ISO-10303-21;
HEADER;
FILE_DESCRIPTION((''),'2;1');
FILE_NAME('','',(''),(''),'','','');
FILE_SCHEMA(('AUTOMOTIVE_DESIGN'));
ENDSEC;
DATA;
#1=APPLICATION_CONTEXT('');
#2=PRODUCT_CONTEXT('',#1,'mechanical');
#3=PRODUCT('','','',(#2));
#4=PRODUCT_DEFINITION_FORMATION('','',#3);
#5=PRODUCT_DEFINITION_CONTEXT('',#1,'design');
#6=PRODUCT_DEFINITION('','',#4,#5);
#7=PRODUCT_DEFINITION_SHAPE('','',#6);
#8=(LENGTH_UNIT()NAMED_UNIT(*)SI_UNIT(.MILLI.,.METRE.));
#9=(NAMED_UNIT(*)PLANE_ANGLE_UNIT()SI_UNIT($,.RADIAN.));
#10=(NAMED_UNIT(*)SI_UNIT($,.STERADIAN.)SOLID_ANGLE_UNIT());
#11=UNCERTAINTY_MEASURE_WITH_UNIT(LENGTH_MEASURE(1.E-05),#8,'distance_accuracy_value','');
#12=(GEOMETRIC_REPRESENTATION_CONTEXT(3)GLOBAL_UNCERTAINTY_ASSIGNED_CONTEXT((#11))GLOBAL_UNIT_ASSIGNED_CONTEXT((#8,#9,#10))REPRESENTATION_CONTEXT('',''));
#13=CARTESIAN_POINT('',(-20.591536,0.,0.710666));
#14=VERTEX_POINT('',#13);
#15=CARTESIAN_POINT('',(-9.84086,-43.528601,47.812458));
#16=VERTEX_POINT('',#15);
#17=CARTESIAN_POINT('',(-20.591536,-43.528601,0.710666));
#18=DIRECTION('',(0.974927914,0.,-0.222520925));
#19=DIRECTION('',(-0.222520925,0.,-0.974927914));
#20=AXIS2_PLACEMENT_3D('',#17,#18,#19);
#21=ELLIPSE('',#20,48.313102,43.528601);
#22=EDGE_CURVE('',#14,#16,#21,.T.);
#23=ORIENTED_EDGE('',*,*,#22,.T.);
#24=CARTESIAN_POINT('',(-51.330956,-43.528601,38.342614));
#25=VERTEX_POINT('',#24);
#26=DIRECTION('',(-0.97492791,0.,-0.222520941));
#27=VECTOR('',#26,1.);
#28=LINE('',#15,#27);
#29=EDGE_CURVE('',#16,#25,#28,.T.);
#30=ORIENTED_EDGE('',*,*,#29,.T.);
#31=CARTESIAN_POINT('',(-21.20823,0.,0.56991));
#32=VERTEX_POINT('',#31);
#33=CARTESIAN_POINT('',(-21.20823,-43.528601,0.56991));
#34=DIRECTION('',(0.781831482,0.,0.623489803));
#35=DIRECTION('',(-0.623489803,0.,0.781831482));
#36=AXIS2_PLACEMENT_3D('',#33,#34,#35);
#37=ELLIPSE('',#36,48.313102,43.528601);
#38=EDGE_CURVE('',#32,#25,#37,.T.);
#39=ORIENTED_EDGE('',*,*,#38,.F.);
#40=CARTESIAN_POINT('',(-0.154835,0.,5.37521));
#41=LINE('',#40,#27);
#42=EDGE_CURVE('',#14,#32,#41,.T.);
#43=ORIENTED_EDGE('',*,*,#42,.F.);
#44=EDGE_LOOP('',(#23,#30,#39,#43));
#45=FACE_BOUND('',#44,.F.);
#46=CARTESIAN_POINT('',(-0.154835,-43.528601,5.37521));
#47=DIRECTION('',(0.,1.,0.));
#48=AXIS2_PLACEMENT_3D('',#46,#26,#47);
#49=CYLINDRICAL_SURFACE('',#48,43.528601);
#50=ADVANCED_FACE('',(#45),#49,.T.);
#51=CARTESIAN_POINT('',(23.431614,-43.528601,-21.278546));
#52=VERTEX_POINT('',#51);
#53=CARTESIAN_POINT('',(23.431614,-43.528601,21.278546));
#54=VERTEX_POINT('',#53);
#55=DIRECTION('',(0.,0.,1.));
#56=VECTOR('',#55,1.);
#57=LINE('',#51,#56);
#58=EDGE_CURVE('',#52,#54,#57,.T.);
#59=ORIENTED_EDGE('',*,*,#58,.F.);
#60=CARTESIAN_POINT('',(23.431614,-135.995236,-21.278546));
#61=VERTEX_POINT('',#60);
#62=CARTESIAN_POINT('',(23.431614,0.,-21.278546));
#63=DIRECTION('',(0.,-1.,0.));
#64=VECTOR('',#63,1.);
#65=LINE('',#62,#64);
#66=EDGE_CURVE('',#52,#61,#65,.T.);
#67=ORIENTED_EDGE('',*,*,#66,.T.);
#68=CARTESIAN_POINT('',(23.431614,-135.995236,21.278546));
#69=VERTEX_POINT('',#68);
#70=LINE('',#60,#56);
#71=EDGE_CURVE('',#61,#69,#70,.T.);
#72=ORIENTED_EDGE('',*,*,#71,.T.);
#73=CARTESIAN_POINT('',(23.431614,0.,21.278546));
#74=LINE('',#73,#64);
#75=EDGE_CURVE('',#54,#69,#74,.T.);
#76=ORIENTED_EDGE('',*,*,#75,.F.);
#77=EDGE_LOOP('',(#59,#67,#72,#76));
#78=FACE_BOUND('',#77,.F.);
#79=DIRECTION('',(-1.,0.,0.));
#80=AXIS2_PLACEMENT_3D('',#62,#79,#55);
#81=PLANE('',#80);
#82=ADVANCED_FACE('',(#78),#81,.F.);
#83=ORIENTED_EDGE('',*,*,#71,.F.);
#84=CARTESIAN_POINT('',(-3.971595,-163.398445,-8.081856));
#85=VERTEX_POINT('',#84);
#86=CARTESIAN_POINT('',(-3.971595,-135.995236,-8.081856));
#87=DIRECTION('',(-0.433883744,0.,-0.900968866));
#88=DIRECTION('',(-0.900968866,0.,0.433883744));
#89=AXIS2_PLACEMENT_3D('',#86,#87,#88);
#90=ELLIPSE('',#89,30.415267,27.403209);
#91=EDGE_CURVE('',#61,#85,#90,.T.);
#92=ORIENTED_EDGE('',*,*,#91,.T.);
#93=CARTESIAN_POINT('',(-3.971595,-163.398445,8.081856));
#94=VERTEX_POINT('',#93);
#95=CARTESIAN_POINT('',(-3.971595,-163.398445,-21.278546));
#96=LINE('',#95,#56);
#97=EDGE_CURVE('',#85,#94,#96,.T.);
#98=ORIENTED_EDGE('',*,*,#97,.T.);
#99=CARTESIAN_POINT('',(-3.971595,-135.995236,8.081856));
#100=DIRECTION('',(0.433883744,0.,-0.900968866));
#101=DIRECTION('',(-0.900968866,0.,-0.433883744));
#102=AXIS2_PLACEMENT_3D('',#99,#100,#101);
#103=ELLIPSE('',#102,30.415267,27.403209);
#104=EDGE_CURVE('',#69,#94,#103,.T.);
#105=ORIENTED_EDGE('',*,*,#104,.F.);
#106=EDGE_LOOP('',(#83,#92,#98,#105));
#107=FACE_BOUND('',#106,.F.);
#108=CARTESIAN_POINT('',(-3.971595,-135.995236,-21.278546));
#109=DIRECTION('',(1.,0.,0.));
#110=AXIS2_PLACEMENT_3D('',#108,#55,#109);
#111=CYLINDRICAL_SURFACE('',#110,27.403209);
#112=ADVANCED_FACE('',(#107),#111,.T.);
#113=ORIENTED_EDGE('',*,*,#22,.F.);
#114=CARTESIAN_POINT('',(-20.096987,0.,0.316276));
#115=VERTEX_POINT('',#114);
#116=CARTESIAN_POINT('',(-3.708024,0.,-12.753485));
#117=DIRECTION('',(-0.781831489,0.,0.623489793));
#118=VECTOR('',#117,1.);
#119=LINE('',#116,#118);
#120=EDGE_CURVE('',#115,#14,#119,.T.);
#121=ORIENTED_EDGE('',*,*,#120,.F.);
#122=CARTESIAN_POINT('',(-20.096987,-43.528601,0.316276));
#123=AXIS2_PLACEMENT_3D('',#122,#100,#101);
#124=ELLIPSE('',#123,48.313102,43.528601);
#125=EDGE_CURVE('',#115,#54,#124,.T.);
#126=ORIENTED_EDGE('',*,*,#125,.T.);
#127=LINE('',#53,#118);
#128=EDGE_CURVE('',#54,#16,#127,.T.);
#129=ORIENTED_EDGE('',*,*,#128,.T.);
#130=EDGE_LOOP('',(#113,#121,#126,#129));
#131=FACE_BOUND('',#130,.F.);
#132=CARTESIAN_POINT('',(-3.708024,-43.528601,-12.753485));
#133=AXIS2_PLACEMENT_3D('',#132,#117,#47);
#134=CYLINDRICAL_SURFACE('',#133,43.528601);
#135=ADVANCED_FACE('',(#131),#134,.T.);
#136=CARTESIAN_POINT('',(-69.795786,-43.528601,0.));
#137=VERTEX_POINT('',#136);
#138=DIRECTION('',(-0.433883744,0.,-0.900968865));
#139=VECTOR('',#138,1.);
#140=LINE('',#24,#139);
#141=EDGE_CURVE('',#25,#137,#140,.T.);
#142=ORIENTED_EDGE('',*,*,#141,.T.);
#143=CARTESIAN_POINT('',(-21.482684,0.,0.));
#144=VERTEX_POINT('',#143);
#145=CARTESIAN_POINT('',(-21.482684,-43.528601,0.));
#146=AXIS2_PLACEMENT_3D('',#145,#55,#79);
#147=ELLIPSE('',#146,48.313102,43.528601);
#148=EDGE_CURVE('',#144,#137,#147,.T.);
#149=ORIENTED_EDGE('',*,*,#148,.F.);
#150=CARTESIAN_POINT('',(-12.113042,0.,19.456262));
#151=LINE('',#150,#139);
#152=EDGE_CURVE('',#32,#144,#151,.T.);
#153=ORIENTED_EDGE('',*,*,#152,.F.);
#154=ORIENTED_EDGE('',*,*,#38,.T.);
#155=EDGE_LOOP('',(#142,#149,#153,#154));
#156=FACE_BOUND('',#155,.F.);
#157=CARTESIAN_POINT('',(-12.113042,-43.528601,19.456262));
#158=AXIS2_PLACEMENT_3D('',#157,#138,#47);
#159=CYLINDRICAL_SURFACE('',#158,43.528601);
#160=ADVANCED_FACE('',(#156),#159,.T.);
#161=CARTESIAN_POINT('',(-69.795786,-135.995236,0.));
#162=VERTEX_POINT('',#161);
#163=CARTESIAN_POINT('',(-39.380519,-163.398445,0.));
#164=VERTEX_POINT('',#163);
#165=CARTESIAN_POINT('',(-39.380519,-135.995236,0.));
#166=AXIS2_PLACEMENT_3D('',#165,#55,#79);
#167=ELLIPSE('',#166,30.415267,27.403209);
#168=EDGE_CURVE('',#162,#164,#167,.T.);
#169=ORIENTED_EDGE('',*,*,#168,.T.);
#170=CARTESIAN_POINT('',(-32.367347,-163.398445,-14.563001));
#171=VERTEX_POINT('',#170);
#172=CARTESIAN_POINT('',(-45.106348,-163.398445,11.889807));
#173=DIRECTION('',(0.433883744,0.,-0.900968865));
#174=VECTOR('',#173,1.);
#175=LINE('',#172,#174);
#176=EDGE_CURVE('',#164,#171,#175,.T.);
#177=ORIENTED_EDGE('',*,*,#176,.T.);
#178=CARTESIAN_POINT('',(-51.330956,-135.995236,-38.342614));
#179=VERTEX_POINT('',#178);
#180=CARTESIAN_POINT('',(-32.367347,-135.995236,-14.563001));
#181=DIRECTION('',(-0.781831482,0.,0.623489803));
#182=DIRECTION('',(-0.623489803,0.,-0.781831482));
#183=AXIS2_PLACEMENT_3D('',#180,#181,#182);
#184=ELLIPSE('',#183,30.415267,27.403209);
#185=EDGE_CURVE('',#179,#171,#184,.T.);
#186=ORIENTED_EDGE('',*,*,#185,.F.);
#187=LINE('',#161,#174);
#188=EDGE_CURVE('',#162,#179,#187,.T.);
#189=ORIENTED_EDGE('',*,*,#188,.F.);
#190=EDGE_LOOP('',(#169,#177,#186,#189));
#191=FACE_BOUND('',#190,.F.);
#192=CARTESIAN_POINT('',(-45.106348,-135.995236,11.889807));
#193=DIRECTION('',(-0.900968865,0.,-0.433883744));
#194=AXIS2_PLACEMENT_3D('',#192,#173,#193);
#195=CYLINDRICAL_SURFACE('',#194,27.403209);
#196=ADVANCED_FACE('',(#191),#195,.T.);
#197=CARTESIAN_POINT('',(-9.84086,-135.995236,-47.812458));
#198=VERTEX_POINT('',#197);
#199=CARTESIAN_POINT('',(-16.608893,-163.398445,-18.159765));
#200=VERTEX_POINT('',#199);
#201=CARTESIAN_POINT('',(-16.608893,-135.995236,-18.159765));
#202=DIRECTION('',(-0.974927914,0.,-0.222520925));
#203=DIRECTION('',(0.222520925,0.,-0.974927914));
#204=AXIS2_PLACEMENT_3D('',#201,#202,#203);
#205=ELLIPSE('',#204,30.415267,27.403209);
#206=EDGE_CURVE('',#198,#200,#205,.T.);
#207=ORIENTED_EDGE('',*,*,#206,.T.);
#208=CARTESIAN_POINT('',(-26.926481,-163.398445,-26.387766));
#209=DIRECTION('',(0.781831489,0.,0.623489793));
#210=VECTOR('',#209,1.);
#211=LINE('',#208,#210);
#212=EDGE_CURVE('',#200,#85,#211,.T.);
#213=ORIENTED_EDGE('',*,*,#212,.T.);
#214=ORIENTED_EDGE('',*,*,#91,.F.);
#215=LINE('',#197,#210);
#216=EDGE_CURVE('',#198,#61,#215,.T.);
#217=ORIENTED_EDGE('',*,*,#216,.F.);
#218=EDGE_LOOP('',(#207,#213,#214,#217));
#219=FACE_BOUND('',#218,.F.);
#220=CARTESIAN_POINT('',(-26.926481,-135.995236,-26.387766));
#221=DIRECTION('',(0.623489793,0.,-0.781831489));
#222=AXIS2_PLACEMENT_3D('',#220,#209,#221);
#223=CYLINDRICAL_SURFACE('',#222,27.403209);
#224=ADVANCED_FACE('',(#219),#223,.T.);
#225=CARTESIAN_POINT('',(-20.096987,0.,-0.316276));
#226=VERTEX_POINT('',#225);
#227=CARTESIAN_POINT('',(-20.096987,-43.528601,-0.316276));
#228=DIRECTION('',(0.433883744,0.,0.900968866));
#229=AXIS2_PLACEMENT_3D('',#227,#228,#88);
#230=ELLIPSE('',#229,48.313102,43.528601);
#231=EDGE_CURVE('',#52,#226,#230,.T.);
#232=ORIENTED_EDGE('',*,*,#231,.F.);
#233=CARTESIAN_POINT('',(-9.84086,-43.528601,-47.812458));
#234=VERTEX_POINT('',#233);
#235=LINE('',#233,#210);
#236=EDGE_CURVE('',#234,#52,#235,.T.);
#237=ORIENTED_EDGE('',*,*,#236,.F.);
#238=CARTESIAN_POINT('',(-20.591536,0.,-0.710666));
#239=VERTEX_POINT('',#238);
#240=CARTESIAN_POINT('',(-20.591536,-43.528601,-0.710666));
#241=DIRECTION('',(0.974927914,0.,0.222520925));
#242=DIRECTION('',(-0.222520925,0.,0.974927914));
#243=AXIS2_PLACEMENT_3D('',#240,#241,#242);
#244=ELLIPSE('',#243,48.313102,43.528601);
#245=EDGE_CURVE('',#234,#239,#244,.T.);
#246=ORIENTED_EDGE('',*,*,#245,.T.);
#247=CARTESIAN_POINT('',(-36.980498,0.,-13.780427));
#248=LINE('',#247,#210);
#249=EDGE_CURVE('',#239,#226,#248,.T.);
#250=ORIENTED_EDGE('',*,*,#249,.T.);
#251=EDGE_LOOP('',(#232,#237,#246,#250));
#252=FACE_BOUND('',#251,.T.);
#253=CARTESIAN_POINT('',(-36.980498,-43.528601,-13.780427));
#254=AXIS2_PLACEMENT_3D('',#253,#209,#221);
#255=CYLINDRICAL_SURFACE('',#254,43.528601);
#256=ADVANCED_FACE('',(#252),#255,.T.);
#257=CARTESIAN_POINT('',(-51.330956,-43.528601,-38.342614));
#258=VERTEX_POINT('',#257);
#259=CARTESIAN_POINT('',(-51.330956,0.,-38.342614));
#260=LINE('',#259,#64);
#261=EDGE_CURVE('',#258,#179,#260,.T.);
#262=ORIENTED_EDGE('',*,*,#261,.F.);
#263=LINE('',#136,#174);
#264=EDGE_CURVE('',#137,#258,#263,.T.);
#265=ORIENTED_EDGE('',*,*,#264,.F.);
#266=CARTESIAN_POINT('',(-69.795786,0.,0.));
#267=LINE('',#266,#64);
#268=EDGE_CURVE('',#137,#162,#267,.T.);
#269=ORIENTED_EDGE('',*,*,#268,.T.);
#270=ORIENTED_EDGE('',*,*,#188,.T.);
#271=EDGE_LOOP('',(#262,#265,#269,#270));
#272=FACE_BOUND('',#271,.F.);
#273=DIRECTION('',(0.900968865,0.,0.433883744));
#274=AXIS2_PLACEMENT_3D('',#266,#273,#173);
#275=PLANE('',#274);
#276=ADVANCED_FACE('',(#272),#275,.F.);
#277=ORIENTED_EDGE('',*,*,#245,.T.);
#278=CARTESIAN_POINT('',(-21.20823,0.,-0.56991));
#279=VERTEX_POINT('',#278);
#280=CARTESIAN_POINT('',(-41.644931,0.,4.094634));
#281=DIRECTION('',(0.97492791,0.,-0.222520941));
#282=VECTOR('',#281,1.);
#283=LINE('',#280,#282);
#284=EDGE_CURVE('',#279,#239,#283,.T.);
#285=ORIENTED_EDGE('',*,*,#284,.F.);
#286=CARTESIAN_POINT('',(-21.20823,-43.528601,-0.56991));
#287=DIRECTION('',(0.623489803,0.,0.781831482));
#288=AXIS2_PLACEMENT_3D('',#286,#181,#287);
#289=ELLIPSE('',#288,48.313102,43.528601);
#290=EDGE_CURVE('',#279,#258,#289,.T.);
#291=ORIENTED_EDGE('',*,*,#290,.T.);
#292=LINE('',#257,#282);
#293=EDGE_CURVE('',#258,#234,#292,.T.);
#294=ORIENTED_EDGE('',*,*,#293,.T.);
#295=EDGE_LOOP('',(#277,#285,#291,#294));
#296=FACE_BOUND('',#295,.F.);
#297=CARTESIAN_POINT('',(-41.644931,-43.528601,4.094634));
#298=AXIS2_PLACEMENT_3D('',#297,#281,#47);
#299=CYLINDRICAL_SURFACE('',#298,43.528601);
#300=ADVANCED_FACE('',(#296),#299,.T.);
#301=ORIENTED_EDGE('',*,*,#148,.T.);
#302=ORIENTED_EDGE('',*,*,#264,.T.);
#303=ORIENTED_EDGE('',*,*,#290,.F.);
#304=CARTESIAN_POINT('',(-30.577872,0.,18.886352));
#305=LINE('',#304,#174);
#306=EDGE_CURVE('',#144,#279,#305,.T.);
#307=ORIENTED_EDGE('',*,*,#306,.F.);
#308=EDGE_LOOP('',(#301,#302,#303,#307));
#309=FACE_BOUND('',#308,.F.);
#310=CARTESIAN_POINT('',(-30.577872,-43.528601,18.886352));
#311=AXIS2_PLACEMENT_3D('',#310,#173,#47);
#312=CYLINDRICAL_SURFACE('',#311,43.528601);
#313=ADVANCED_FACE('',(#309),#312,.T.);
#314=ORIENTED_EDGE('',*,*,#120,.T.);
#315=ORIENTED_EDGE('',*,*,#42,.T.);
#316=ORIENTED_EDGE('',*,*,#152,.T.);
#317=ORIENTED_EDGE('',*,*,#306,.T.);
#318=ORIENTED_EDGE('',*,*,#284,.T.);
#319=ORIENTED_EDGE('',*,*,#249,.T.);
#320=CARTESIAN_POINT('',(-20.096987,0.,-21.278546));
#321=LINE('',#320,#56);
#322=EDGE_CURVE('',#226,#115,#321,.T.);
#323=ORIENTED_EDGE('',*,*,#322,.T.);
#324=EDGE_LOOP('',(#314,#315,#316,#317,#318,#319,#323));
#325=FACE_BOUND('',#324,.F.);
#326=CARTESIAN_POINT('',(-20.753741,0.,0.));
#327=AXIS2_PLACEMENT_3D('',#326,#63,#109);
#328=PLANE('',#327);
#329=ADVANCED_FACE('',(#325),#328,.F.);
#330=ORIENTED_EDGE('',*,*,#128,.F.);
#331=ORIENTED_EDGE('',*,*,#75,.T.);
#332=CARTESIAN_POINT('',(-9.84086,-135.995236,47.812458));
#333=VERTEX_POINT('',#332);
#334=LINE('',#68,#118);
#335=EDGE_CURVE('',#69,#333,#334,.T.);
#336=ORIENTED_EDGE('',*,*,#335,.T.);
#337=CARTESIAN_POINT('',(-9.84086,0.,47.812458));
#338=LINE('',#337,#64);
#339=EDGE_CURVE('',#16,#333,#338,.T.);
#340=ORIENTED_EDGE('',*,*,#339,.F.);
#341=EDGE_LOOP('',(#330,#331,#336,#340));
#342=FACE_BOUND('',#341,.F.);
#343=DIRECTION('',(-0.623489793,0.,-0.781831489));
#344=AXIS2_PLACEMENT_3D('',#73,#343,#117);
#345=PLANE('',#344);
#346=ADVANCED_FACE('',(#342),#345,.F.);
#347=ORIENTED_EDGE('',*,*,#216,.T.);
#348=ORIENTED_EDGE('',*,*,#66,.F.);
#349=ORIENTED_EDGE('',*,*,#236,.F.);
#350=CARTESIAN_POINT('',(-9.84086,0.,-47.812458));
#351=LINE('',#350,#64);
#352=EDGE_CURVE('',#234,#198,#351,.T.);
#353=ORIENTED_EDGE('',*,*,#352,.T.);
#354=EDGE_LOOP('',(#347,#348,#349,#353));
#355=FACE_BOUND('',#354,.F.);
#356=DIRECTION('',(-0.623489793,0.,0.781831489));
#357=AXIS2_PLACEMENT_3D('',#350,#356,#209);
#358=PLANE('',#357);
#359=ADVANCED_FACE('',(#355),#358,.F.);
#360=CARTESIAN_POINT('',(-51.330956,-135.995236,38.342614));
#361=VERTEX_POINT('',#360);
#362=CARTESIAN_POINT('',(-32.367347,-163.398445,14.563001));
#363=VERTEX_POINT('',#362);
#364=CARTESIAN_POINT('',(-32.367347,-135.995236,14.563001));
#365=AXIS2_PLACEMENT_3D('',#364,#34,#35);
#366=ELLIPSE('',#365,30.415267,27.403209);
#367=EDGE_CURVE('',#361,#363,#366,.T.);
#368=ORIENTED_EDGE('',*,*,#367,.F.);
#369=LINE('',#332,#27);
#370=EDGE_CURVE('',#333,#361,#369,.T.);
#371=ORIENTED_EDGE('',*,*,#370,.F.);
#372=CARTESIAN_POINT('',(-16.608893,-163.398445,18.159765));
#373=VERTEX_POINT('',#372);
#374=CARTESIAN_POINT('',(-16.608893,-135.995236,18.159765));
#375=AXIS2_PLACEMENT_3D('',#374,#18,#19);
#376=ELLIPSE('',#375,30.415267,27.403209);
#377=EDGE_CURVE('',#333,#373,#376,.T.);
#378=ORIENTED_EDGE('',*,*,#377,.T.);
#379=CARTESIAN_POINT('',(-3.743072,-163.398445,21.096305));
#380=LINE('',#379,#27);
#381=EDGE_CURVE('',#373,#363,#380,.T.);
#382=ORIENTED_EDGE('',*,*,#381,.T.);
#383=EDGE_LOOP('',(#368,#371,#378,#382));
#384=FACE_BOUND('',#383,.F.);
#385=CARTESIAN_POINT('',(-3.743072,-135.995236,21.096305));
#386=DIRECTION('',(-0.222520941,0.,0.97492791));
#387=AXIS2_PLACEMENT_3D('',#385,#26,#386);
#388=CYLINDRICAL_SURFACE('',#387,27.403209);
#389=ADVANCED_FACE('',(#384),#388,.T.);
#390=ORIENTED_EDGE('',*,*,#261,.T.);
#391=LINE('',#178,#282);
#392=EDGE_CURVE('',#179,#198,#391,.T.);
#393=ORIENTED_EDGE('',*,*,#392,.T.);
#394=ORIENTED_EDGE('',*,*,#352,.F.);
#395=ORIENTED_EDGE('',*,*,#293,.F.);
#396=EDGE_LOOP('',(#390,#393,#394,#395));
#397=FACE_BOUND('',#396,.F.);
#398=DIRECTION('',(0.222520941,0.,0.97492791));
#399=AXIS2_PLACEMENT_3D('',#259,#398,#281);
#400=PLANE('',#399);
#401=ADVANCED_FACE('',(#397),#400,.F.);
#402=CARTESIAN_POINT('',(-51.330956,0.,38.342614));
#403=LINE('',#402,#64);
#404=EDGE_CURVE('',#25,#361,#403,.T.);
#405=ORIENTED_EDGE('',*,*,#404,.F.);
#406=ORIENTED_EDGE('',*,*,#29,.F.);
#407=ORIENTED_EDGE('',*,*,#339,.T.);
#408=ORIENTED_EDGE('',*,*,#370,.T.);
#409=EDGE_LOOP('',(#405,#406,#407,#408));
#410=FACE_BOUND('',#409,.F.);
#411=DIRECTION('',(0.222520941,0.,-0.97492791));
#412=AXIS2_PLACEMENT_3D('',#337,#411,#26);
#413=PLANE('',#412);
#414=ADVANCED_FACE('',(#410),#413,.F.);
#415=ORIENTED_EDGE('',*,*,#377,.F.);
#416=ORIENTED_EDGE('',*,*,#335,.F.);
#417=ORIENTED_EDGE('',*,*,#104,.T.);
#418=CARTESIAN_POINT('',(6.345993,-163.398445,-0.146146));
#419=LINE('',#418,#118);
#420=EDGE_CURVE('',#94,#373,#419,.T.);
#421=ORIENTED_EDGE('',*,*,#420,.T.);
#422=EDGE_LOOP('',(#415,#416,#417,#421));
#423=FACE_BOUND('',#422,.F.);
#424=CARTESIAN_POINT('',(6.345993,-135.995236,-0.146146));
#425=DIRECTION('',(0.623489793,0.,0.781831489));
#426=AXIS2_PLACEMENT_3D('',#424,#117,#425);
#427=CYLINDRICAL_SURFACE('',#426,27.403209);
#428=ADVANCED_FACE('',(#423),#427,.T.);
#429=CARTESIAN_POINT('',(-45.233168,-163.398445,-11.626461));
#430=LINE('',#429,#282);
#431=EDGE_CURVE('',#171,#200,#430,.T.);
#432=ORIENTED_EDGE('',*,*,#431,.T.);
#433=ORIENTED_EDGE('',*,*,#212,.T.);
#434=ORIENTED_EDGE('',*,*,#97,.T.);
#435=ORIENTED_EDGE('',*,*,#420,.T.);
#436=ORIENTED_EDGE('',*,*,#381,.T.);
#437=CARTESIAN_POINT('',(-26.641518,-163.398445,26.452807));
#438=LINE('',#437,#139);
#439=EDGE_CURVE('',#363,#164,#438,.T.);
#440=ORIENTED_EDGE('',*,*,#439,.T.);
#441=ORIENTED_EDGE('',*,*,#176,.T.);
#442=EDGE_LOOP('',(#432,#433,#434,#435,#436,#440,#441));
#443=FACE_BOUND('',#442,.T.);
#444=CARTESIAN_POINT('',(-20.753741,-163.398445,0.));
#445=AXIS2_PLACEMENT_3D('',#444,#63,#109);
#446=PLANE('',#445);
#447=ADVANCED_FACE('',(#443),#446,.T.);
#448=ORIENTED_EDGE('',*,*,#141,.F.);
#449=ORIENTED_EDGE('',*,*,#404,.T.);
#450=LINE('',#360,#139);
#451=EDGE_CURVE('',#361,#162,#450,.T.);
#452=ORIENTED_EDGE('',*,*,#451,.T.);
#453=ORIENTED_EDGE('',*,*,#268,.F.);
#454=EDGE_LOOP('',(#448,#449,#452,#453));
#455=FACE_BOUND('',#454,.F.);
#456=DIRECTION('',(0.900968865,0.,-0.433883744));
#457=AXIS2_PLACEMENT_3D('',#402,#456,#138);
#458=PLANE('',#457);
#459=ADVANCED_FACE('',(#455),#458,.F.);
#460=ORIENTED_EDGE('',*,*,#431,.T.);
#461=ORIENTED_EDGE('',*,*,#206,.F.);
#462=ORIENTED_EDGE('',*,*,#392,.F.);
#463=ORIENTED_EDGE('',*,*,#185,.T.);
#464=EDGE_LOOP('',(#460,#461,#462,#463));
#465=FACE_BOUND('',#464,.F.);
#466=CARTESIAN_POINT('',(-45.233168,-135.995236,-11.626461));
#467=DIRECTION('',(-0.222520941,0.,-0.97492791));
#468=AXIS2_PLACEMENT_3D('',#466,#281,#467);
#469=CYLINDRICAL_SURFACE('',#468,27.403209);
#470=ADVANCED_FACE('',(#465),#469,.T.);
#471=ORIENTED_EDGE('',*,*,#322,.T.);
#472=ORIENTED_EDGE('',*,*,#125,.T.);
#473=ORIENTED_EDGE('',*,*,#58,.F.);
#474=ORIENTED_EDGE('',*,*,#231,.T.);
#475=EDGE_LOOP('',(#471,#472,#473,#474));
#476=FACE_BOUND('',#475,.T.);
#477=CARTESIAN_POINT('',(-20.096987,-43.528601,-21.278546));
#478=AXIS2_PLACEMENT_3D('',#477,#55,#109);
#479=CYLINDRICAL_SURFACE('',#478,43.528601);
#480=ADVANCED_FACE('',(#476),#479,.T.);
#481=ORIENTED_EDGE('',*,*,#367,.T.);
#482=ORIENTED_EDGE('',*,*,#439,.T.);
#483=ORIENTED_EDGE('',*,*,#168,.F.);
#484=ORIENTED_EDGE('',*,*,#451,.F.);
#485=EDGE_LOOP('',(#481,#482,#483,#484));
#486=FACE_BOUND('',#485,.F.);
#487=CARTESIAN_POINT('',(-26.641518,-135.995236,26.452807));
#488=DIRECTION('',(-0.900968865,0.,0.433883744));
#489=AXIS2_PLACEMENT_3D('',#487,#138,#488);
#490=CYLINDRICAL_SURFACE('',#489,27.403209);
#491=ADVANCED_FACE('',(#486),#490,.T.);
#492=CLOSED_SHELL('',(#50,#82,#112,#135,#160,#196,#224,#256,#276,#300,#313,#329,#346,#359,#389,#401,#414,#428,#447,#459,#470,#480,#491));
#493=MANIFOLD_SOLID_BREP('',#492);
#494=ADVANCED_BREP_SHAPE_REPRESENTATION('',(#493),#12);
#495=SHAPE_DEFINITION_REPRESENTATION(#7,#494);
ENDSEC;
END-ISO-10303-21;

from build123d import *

# Parameters (mm, degrees)
F1_DEPTH = 163.398445
F2_R     = 27.403209
F3_R     = 43.528601


with BuildPart() as f1:
    # F0 (on Front) → F1 (new body)
    with BuildSketch(Plane.XZ):
        Polygon((23.431614, -21.278546), (23.431614, 21.278546), (-9.84086, 47.812458), (-51.330956, 38.342614), (-69.795786, 0), (-51.330956, -38.342614), (-9.84086, -47.812458), align=None)
    extrude(amount=F1_DEPTH)

    # F2
    f2_edges = [f1.edges().sort_by_distance(p)[0] for p in [
        (-30.585908, -163.398445, 43.077536),
        (-60.563371, -163.398445, 19.171307),
        (-60.563371, -163.398445, -19.171307),
        (-30.585908, -163.398445, -43.077536),
        (6.795377, -163.398445, 34.545502),
        (23.431614, -163.398445, 0),
        (6.795377, -163.398445, -34.545502),
    ]]
    fillet(f2_edges, radius=F2_R)

    # F3
    f3_edges = [f1.edges().sort_by_distance(p)[0] for p in [
        (-30.585908, 0, 43.077536),
        (6.795377, 0, 34.545502),
        (23.431614, 0, 0),
        (6.795377, 0, -34.545502),
        (-30.585908, 0, -43.077536),
        (-60.563371, 0, 19.171307),
        (-60.563371, 0, -19.171307),
    ]]
    fillet(f3_edges, radius=F3_R)


solid = f1.part
